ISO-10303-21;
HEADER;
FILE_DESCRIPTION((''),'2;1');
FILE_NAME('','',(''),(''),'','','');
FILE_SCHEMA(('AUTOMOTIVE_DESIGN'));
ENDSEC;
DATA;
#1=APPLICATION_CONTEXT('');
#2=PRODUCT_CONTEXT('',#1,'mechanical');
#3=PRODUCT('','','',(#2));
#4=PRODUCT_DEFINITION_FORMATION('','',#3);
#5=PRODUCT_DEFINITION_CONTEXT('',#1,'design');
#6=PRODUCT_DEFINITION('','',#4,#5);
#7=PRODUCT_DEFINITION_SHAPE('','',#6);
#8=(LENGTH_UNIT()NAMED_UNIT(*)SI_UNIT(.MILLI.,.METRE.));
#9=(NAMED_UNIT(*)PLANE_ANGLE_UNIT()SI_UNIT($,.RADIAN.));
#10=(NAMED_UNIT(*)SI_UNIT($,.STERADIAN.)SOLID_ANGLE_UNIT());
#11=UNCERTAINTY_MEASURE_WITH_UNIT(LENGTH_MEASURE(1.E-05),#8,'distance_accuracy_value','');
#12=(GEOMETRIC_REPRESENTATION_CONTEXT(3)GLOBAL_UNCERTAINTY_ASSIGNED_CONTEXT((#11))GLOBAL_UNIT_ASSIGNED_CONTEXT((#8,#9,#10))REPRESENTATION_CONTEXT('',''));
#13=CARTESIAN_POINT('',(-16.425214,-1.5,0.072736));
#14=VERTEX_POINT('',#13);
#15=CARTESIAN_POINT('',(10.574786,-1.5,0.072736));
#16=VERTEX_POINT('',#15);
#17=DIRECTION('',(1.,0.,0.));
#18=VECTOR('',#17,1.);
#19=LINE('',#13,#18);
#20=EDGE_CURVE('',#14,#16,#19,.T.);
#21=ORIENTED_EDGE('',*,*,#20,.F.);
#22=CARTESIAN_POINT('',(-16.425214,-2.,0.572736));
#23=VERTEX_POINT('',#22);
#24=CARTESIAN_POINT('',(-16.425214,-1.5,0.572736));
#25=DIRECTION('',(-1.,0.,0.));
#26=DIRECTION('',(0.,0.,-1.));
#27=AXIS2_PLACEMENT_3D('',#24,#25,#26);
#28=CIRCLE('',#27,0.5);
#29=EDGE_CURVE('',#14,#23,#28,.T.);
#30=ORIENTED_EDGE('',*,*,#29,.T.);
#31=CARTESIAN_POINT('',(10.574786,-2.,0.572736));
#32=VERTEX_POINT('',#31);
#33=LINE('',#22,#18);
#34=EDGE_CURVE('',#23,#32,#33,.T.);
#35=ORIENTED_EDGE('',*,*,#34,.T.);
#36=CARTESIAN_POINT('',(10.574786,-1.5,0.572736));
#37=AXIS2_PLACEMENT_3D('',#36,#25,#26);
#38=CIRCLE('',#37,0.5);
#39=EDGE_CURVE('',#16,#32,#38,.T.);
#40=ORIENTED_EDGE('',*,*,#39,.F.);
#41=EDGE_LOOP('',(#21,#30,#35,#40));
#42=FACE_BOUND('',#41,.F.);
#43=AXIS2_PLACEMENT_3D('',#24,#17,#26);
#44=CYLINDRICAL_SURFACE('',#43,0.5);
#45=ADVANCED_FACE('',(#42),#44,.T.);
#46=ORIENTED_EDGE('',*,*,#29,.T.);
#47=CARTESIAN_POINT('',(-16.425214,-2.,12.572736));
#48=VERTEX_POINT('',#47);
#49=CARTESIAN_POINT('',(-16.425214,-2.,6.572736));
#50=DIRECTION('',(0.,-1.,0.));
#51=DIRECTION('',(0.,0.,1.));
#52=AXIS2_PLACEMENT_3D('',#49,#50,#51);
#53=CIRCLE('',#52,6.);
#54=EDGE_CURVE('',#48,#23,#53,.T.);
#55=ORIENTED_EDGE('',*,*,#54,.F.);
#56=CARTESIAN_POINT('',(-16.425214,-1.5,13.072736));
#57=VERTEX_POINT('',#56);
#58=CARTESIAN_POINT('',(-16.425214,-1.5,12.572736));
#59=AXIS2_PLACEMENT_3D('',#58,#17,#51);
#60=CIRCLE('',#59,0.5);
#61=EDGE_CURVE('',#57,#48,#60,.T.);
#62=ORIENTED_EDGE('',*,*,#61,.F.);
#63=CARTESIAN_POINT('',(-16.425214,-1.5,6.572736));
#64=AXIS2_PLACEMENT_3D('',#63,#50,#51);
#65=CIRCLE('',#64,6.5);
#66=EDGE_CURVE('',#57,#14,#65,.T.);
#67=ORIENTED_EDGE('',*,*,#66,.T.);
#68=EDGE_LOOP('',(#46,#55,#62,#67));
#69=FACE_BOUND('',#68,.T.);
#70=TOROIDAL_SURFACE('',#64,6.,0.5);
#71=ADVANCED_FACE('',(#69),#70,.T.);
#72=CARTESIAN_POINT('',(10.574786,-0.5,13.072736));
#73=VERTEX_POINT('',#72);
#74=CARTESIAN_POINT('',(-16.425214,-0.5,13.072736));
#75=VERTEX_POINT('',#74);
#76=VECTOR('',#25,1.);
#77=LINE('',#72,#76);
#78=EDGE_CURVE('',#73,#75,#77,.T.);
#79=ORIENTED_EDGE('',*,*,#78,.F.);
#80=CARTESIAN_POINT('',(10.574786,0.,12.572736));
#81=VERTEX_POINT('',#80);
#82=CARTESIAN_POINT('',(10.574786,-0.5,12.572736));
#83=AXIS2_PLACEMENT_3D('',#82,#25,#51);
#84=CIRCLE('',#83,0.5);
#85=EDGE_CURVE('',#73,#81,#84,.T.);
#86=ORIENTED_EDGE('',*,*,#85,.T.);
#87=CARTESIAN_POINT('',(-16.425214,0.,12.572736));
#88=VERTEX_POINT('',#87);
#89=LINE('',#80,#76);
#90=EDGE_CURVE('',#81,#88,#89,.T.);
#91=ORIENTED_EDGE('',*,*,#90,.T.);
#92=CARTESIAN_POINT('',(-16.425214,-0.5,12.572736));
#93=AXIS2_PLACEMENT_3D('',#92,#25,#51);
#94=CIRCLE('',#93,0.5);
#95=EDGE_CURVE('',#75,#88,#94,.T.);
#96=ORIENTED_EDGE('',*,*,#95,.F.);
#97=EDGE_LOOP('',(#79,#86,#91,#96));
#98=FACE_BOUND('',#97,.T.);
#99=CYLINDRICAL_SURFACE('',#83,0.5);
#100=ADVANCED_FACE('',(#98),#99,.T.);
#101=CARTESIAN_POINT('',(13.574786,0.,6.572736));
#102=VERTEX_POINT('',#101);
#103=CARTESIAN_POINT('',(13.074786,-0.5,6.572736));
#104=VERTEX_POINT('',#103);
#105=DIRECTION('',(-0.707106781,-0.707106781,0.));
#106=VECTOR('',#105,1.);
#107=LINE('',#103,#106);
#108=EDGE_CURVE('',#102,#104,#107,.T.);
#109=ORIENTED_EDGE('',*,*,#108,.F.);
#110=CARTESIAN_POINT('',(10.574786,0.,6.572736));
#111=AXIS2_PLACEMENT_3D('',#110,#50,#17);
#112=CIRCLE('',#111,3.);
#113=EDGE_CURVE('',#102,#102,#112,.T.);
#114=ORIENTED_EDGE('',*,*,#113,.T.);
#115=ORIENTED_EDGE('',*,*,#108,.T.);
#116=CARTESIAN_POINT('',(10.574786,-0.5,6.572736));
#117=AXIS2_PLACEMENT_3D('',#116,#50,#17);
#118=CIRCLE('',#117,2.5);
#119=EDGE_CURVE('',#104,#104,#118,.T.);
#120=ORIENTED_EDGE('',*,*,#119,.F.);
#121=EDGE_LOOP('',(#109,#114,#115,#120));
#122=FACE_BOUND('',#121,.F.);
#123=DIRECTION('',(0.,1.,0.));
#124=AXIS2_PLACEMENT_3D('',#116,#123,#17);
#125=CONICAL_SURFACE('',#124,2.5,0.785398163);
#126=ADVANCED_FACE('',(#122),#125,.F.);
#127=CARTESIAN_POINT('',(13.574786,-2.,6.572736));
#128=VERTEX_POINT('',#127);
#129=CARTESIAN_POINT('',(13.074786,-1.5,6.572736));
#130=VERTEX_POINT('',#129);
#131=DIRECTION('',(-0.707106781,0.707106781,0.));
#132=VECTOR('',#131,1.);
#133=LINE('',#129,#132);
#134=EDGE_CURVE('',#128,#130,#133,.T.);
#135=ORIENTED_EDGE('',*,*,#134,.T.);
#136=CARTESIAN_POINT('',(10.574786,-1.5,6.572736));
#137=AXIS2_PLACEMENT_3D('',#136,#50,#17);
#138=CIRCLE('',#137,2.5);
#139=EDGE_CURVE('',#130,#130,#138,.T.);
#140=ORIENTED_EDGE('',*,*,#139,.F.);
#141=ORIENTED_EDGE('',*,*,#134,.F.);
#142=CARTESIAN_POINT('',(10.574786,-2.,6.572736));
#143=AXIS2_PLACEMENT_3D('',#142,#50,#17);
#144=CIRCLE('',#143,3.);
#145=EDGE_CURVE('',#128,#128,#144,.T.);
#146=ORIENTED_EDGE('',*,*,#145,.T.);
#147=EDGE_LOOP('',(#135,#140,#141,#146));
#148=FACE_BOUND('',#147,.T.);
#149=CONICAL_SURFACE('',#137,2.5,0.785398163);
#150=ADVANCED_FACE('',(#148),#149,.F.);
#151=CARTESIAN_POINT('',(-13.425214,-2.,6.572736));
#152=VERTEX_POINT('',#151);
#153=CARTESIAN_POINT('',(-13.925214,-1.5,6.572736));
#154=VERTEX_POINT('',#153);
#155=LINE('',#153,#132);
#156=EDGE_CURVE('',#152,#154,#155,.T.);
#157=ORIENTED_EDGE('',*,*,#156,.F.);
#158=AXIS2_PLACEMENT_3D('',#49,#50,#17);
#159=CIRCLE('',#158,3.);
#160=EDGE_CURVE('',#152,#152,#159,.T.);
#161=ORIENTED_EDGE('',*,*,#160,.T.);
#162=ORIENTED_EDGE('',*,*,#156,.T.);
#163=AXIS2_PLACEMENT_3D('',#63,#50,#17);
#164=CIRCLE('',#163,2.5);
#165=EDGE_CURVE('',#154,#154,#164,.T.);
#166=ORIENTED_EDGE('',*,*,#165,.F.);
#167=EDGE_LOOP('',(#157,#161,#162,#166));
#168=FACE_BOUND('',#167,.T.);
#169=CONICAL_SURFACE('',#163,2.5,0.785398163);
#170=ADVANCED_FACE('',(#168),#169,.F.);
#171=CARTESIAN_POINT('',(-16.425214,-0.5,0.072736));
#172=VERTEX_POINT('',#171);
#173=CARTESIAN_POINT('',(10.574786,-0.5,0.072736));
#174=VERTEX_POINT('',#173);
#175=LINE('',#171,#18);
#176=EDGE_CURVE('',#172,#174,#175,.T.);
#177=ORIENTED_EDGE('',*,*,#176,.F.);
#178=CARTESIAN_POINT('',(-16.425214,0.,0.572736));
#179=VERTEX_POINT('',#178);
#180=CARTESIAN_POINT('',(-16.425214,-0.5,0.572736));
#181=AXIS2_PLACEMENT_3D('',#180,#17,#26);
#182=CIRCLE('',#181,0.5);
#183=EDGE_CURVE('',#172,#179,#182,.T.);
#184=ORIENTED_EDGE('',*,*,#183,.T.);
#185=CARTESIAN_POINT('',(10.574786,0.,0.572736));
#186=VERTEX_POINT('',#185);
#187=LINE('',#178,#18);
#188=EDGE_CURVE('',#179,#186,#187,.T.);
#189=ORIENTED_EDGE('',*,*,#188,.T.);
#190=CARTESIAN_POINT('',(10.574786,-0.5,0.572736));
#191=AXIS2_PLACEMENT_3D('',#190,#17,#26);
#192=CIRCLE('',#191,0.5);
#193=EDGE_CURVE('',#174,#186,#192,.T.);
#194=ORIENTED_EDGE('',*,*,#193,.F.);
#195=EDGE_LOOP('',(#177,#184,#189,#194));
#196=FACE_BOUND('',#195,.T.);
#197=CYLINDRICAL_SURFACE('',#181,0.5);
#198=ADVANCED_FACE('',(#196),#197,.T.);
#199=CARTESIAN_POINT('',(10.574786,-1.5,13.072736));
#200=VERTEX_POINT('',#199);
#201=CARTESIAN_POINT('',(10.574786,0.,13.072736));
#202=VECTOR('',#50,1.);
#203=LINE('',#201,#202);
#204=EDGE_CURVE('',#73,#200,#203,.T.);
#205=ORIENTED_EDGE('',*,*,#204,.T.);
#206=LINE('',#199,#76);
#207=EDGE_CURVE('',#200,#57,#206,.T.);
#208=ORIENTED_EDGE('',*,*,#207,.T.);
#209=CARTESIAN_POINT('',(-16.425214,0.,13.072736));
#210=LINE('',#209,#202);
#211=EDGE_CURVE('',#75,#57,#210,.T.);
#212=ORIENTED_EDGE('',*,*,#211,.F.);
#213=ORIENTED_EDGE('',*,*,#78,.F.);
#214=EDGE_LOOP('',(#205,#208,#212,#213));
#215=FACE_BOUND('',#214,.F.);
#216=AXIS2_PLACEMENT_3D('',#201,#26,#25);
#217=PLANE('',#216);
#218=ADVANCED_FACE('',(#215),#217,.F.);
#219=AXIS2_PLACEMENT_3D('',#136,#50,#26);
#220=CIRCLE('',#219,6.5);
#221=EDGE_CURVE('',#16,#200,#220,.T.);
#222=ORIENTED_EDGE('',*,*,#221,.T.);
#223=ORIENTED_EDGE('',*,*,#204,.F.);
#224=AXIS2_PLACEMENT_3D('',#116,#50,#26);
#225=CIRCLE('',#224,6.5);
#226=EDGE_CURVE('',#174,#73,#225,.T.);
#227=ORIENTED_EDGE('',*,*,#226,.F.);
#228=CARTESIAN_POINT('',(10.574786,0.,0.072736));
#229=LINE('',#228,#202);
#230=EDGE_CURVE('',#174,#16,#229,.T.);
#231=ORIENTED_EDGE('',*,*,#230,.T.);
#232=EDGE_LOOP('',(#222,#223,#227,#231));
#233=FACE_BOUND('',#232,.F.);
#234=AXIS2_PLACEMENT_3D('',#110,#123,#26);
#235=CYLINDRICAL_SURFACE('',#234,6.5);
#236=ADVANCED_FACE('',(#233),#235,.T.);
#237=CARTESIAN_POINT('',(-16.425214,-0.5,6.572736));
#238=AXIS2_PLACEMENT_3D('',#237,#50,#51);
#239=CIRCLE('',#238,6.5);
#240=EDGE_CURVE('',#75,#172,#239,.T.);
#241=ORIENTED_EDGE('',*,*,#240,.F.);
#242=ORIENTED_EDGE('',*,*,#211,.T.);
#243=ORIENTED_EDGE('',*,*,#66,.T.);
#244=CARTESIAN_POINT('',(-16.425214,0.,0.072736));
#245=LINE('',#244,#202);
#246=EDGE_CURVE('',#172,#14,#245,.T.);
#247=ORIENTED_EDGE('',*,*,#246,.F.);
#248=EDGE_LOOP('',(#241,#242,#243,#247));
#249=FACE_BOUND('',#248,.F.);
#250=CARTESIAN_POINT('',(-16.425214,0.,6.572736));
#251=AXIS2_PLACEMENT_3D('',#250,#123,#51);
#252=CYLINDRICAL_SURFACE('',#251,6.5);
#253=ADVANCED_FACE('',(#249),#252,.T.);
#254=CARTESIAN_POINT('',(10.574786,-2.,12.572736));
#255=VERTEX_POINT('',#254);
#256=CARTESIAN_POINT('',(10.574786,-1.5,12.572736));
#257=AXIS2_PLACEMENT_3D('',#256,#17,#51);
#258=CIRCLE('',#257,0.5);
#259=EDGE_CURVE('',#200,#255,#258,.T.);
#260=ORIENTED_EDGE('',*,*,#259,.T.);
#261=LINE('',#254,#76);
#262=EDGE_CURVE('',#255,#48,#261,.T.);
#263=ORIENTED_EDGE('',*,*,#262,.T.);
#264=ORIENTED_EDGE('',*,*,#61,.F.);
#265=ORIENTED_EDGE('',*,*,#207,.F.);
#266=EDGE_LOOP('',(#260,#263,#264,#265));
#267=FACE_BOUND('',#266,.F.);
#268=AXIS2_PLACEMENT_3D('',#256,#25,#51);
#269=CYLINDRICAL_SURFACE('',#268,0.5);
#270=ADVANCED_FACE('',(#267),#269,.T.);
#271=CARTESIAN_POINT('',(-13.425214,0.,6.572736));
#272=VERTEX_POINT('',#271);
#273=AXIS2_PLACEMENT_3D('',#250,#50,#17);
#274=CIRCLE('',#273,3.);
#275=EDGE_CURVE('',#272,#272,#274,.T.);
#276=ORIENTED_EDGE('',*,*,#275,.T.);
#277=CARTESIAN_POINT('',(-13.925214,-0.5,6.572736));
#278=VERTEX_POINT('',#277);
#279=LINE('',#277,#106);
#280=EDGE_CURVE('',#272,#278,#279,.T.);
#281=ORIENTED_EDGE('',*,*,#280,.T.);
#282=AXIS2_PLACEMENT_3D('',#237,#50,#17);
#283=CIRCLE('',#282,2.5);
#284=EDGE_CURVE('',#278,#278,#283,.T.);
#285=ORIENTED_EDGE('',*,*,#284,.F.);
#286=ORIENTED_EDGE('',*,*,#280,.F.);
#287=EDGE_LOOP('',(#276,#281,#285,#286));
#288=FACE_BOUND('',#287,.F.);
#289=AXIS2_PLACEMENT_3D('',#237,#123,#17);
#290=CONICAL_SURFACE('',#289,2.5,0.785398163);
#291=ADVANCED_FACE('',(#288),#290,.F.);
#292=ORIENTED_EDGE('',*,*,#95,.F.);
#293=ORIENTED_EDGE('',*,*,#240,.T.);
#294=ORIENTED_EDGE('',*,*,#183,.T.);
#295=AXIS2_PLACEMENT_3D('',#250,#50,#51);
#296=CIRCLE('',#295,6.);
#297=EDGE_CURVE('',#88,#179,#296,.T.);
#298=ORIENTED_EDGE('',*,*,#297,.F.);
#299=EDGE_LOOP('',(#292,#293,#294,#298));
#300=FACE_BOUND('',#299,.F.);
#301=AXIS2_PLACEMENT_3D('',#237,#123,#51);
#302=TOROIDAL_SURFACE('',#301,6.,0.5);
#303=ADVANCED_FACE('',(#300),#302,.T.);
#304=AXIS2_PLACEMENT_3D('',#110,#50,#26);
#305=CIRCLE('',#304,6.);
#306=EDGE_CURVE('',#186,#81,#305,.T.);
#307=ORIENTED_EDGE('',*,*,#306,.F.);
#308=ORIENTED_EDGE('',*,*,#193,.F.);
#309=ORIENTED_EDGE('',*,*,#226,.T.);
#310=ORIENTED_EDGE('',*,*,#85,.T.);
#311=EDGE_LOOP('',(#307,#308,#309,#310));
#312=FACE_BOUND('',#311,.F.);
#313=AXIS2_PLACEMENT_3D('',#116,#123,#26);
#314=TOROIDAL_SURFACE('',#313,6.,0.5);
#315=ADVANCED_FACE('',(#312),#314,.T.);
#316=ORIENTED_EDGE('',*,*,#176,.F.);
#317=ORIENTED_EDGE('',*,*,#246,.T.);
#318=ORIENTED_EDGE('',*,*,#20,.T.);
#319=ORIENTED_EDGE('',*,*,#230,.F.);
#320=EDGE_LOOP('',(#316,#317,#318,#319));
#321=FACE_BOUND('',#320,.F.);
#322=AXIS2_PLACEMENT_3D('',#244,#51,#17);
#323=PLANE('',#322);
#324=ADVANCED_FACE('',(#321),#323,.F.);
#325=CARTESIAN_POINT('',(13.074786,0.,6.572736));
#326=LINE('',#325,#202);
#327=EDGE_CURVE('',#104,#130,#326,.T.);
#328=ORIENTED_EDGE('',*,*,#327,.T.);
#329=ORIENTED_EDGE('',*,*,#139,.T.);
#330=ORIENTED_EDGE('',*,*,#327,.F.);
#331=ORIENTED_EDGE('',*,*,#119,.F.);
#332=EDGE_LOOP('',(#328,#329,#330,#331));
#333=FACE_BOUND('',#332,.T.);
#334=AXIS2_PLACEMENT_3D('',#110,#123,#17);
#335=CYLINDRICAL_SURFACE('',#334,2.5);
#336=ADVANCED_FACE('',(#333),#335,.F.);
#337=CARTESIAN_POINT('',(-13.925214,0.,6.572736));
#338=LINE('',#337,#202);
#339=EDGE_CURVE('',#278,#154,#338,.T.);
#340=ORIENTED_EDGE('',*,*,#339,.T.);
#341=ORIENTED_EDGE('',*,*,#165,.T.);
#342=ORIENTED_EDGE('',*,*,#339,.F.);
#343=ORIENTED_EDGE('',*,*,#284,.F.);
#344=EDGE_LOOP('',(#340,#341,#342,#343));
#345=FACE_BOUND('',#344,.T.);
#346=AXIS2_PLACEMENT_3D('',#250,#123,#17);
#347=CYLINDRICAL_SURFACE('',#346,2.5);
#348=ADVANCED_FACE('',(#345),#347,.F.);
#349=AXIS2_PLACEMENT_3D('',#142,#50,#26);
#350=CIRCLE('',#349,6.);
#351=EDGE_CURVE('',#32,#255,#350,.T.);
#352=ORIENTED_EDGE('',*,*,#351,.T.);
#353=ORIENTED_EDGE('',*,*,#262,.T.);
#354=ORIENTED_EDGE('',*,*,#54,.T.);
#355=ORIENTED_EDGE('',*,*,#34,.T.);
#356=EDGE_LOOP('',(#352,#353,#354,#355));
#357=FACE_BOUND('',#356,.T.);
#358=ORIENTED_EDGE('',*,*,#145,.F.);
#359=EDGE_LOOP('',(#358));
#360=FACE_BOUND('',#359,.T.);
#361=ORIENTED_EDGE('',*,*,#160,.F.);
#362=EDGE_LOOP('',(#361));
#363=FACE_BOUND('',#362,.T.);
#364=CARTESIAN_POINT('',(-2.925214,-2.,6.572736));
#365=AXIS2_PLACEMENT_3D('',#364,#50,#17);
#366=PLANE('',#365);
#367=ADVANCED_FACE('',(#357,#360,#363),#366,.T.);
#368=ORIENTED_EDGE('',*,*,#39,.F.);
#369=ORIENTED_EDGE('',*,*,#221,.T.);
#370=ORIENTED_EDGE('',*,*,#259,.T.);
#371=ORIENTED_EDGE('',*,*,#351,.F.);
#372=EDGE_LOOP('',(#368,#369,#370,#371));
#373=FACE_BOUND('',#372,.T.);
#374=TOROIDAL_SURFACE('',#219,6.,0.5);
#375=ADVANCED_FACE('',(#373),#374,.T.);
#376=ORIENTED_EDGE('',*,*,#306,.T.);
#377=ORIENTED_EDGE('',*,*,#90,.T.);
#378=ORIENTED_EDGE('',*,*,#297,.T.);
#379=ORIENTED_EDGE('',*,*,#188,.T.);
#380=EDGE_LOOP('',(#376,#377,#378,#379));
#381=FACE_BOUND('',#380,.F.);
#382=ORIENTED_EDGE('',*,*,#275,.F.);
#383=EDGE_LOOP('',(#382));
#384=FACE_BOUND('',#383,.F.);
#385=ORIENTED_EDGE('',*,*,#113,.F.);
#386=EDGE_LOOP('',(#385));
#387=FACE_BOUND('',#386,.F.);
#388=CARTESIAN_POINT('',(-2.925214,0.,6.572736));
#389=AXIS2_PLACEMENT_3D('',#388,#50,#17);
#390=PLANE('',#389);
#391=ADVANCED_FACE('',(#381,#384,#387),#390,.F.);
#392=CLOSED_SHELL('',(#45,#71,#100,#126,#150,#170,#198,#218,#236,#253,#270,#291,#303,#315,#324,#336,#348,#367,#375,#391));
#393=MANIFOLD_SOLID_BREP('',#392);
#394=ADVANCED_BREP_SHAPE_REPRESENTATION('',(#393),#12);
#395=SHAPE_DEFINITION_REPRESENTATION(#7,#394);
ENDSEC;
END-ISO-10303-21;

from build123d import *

# Parameters (mm, degrees)
F0_R     = 2.5
F1_DEPTH = 2
F2_R     = 0.5
F3_SIZE  = 0.5


with BuildPart() as f1:
    # F0 (on Front) → F1 (new body)
    with BuildSketch(Plane.XZ):
        with BuildLine():
            Line((10.5747856316, 13.0727361555), (-16.4252143684, 13.0727361555))
            ThreePointArc((-16.4252143684, 13.0727361555), (-22.9252143684, 6.5727361555), (-16.4252143684, 0.0727361555))
            Line((-16.4252143684, 0.0727361555), (10.5747856316, 0.0727361555))
            ThreePointArc((10.5747856316, 0.0727361555), (17.0747856316, 6.5727361555), (10.5747856316, 13.0727361555))
        make_face()
        with Locations((10.5747856316, 6.5727361555)):
            Circle(F0_R, mode=Mode.SUBTRACT)
        with Locations((-16.4252143684, 6.5727361555)):
            Circle(F0_R, mode=Mode.SUBTRACT)
    extrude(amount=F1_DEPTH)

    # F2
    f2_edges = [f1.edges().sort_by_distance(p)[0] for p in [
        (-22.925214, -2, 6.572736),
        (-2.925214, 0, 0.072736),
    ]]
    fillet(f2_edges, radius=F2_R)

    # F3
    f3_edges = [f1.edges().sort_by_distance(p)[0] for p in [
        (-18.925214, -2, 6.572736),
        (8.074786, 0, 6.572736),
        (8.074786, -2, 6.572736),
        (-2.925214, -0.5, 13.072736),
        (-18.925214, 0, 6.572736),
    ]]
    chamfer(f3_edges, length=F3_SIZE)


solid = f1.part
